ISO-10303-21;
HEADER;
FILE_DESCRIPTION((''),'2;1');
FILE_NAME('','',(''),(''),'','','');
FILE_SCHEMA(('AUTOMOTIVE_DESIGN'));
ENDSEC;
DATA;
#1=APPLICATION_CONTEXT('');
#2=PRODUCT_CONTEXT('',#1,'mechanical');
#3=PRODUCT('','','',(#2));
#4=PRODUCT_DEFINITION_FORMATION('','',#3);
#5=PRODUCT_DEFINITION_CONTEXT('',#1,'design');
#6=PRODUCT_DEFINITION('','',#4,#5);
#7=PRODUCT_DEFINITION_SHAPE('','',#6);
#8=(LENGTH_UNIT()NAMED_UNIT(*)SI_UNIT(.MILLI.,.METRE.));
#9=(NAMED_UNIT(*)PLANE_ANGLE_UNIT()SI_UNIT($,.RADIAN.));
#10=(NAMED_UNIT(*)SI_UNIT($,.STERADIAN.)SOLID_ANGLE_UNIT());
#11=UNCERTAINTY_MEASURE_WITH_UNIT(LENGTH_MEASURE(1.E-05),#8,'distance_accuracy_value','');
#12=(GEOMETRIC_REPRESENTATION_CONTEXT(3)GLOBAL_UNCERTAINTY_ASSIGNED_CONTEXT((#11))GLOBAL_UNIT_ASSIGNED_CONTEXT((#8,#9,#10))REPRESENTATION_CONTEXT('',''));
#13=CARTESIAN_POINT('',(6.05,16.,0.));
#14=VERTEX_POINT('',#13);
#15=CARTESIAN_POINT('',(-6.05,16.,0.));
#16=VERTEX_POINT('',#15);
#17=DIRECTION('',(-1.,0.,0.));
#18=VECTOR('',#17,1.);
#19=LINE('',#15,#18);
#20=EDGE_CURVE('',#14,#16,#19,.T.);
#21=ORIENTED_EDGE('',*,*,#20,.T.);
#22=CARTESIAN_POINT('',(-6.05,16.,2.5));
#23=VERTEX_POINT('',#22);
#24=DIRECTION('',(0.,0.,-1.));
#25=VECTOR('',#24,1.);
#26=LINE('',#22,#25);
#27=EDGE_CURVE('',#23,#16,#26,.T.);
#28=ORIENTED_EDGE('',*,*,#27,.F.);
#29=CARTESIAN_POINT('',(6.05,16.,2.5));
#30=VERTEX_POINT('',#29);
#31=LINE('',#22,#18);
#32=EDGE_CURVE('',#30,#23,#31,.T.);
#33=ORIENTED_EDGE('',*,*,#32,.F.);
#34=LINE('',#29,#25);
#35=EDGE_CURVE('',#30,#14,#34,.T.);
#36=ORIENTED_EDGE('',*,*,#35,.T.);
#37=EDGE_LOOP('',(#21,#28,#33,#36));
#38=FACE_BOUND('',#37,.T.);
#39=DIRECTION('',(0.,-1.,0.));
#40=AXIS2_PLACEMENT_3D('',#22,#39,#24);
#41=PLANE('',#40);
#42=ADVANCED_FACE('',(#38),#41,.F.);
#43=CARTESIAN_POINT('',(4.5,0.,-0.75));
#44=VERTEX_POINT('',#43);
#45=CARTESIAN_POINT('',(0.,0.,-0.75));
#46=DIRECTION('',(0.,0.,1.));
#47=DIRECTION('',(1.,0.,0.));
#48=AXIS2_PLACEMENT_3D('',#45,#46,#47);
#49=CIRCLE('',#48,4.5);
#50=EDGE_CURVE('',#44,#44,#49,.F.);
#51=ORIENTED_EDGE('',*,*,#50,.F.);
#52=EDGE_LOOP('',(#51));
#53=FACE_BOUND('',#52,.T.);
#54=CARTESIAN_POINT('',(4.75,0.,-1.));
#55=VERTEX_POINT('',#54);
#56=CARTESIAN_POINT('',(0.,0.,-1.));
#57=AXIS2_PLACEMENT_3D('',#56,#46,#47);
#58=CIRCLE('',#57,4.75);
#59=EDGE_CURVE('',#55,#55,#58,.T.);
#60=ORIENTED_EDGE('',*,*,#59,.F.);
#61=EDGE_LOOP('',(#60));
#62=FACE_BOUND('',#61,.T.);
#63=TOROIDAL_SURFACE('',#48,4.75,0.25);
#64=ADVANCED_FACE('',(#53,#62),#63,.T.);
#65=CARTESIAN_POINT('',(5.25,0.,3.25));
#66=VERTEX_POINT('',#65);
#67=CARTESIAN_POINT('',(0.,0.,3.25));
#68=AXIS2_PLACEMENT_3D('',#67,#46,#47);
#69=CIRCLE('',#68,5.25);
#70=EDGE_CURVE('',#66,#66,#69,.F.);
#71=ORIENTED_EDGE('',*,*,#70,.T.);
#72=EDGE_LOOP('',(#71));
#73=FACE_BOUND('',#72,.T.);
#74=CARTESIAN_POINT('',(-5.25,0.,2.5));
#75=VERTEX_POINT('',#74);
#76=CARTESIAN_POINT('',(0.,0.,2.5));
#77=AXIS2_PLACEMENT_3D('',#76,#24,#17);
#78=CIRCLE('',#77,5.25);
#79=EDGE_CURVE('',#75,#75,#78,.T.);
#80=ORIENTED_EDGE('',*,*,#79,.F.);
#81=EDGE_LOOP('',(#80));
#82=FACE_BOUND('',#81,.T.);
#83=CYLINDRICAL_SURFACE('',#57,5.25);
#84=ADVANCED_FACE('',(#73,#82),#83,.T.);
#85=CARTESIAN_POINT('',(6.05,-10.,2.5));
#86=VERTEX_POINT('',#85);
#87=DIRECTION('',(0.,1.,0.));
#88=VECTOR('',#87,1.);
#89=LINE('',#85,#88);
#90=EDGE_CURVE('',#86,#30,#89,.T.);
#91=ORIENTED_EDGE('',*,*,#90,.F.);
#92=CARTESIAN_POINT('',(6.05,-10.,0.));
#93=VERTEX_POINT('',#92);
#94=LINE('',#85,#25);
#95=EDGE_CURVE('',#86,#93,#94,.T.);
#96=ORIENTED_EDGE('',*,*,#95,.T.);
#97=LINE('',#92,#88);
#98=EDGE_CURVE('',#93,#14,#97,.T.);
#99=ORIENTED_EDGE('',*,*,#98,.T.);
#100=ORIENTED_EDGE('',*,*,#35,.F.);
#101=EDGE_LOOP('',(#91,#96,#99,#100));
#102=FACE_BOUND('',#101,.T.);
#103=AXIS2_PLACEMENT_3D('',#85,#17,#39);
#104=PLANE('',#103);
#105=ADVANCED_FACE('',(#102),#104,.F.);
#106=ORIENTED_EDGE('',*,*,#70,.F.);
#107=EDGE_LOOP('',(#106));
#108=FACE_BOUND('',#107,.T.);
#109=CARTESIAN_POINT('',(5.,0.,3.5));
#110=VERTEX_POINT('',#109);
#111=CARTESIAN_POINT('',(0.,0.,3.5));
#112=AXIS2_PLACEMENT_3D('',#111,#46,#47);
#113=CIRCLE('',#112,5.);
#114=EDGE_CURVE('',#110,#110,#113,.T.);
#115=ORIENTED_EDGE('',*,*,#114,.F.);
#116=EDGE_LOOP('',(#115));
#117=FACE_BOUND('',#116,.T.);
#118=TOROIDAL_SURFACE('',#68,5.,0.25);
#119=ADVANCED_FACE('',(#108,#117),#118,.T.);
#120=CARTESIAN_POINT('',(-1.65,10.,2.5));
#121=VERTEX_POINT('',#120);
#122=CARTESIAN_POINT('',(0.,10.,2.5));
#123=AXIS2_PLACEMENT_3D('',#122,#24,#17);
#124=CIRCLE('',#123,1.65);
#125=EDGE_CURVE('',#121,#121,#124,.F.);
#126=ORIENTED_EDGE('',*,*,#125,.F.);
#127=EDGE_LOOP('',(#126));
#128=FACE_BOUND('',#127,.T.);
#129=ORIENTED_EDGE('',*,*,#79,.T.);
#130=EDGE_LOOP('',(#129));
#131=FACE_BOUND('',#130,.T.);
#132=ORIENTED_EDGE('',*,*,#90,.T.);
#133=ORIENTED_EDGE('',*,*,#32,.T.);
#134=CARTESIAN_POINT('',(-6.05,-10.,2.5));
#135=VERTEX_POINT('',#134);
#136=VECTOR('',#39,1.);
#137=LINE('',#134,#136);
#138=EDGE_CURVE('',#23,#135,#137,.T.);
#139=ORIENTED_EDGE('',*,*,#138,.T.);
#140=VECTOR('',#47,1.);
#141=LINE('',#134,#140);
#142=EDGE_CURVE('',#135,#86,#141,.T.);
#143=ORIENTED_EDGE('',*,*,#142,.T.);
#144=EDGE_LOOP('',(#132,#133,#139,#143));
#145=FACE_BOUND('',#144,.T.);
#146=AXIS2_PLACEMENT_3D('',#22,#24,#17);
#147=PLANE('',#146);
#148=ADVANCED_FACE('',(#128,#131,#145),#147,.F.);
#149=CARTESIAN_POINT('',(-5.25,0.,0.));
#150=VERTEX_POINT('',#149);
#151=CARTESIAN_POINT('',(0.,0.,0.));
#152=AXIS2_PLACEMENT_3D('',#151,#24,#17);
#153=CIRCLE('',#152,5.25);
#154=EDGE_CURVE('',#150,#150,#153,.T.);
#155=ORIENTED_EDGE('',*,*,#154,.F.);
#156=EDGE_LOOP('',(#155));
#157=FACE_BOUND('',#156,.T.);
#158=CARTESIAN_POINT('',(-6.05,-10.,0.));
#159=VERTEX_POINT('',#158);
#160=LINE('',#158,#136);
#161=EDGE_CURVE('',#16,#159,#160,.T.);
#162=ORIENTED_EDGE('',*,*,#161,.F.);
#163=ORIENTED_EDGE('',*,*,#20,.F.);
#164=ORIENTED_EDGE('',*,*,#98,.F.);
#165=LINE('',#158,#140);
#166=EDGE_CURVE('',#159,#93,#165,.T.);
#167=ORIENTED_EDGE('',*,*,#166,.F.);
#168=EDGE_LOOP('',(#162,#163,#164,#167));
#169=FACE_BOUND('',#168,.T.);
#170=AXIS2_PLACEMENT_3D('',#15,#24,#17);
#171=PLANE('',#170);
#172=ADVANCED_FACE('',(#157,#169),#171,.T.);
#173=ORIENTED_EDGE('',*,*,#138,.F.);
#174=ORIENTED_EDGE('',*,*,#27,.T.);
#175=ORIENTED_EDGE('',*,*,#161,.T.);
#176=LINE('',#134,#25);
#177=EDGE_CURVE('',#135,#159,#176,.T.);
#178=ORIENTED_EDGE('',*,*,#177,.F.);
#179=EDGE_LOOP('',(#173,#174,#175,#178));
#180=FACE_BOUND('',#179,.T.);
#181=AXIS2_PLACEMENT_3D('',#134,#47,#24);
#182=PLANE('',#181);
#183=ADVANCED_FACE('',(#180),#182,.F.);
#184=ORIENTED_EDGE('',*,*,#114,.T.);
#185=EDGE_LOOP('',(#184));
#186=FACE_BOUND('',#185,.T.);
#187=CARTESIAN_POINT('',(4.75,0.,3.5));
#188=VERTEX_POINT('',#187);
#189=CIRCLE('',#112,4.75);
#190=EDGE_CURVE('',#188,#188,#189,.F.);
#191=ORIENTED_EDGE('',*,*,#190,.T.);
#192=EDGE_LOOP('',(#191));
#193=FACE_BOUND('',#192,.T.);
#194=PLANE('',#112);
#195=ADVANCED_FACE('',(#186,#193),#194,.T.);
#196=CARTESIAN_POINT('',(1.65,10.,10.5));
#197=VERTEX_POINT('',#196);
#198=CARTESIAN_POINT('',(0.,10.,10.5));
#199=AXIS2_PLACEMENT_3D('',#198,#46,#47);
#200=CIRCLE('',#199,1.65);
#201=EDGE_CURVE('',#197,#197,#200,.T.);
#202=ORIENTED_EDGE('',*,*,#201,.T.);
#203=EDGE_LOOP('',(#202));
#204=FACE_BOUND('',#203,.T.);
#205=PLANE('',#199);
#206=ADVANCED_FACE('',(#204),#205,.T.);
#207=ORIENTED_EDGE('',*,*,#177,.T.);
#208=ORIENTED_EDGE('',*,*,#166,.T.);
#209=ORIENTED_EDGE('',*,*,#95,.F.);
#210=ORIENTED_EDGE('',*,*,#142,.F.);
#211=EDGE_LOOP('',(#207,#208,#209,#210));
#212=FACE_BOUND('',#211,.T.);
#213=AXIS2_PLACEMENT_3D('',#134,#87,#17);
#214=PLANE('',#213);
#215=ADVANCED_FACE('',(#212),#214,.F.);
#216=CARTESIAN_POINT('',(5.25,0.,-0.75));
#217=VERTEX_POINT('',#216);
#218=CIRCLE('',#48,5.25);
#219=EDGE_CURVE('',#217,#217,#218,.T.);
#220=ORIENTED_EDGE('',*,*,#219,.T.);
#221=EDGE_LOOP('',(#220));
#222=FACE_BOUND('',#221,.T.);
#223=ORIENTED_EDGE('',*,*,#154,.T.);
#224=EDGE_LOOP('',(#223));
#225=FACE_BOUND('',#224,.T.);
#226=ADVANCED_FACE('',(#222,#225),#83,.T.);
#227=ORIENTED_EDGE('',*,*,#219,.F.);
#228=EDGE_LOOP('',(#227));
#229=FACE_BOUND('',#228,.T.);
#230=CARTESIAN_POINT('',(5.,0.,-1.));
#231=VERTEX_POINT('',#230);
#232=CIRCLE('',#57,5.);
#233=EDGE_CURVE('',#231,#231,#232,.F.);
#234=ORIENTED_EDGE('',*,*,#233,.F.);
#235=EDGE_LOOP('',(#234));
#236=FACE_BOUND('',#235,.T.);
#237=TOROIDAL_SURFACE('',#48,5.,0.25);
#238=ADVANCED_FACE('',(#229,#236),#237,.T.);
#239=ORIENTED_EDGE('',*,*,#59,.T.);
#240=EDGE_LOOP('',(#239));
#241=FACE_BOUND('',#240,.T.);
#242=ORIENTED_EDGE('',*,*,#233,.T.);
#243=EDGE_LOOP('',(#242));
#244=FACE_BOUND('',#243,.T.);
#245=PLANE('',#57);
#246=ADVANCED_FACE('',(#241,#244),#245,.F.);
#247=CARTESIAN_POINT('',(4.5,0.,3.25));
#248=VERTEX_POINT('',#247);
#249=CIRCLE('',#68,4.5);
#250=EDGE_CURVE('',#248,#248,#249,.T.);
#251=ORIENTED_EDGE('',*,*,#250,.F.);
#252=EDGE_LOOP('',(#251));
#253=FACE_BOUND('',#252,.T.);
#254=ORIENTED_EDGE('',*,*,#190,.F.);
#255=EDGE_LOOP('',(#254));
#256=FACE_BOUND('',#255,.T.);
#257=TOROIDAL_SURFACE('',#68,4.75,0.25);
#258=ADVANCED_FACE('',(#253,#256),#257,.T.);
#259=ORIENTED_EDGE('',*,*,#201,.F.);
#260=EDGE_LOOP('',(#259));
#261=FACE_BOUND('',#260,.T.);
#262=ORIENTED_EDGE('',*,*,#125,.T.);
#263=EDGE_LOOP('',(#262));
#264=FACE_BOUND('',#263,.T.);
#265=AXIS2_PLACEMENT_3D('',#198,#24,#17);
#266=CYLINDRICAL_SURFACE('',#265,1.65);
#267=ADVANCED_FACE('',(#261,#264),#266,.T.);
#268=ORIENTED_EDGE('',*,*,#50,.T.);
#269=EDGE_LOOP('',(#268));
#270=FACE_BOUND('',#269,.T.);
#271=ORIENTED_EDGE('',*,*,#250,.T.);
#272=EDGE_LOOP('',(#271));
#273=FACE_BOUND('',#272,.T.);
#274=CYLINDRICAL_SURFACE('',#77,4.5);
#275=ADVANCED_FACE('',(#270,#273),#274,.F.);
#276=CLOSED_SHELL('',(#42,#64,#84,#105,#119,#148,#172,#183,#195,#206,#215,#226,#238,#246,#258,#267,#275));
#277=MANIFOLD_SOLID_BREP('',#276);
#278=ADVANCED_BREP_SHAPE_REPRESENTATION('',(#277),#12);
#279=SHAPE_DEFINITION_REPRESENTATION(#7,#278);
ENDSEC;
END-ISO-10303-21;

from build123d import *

# Parameters (mm, degrees)
SKETCH_1_W           = 12.1
SKETCH_1_H           = 26
SKETCH_1_R           = 4.5
EXTRUDE_1_DEPTH      = 2.5
SKETCH_2_R           = 1.65
EXTRUDE_2_DEPTH      = 8
EXTRUDE_3_DEPTH      = 1
EXTRUDE_3_DEPTH_BACK = 3.5
SKETCH_3_R           = 5.25
SKETCH_3_R_2         = 4.5
FILLET_1_R           = 0.25


with BuildPart() as part:
    # Эскиз1 → Вытянуть1 (new body)
    with BuildSketch(Plane.XY):
        with Locations((0, 3)):
            Rectangle(SKETCH_1_W, SKETCH_1_H)
        Circle(SKETCH_1_R, mode=Mode.SUBTRACT)
    extrude(amount=EXTRUDE_1_DEPTH)

    # Эскиз2 → Вытянуть2 (add)
    with BuildSketch(Plane.XY.offset(2.5)):
        with Locations(Location((0, 10, 0), (0, 0, 180))):
            Circle(SKETCH_2_R)
    extrude(amount=EXTRUDE_2_DEPTH)

    # Эскиз3 → Вытянуть3 (add, two sides: drawn at the far end of the back side and taken through both)
    with BuildSketch(Plane.XY.offset(2.5).offset(-EXTRUDE_3_DEPTH_BACK)):
        Circle(SKETCH_3_R)
        Circle(SKETCH_3_R_2, mode=Mode.SUBTRACT)
    extrude(amount=EXTRUDE_3_DEPTH + EXTRUDE_3_DEPTH_BACK)

    # Скругление1
    fillet_1_edges = [part.edges().sort_by_distance(p)[0] for p in [
        (-4.5, 0, 3.5),
        (-5.25, 0, -1),
        (-4.5, 0, -1),
        (-5.25, 0, 3.5),
    ]]
    fillet(fillet_1_edges, radius=FILLET_1_R)


solid = part.part
